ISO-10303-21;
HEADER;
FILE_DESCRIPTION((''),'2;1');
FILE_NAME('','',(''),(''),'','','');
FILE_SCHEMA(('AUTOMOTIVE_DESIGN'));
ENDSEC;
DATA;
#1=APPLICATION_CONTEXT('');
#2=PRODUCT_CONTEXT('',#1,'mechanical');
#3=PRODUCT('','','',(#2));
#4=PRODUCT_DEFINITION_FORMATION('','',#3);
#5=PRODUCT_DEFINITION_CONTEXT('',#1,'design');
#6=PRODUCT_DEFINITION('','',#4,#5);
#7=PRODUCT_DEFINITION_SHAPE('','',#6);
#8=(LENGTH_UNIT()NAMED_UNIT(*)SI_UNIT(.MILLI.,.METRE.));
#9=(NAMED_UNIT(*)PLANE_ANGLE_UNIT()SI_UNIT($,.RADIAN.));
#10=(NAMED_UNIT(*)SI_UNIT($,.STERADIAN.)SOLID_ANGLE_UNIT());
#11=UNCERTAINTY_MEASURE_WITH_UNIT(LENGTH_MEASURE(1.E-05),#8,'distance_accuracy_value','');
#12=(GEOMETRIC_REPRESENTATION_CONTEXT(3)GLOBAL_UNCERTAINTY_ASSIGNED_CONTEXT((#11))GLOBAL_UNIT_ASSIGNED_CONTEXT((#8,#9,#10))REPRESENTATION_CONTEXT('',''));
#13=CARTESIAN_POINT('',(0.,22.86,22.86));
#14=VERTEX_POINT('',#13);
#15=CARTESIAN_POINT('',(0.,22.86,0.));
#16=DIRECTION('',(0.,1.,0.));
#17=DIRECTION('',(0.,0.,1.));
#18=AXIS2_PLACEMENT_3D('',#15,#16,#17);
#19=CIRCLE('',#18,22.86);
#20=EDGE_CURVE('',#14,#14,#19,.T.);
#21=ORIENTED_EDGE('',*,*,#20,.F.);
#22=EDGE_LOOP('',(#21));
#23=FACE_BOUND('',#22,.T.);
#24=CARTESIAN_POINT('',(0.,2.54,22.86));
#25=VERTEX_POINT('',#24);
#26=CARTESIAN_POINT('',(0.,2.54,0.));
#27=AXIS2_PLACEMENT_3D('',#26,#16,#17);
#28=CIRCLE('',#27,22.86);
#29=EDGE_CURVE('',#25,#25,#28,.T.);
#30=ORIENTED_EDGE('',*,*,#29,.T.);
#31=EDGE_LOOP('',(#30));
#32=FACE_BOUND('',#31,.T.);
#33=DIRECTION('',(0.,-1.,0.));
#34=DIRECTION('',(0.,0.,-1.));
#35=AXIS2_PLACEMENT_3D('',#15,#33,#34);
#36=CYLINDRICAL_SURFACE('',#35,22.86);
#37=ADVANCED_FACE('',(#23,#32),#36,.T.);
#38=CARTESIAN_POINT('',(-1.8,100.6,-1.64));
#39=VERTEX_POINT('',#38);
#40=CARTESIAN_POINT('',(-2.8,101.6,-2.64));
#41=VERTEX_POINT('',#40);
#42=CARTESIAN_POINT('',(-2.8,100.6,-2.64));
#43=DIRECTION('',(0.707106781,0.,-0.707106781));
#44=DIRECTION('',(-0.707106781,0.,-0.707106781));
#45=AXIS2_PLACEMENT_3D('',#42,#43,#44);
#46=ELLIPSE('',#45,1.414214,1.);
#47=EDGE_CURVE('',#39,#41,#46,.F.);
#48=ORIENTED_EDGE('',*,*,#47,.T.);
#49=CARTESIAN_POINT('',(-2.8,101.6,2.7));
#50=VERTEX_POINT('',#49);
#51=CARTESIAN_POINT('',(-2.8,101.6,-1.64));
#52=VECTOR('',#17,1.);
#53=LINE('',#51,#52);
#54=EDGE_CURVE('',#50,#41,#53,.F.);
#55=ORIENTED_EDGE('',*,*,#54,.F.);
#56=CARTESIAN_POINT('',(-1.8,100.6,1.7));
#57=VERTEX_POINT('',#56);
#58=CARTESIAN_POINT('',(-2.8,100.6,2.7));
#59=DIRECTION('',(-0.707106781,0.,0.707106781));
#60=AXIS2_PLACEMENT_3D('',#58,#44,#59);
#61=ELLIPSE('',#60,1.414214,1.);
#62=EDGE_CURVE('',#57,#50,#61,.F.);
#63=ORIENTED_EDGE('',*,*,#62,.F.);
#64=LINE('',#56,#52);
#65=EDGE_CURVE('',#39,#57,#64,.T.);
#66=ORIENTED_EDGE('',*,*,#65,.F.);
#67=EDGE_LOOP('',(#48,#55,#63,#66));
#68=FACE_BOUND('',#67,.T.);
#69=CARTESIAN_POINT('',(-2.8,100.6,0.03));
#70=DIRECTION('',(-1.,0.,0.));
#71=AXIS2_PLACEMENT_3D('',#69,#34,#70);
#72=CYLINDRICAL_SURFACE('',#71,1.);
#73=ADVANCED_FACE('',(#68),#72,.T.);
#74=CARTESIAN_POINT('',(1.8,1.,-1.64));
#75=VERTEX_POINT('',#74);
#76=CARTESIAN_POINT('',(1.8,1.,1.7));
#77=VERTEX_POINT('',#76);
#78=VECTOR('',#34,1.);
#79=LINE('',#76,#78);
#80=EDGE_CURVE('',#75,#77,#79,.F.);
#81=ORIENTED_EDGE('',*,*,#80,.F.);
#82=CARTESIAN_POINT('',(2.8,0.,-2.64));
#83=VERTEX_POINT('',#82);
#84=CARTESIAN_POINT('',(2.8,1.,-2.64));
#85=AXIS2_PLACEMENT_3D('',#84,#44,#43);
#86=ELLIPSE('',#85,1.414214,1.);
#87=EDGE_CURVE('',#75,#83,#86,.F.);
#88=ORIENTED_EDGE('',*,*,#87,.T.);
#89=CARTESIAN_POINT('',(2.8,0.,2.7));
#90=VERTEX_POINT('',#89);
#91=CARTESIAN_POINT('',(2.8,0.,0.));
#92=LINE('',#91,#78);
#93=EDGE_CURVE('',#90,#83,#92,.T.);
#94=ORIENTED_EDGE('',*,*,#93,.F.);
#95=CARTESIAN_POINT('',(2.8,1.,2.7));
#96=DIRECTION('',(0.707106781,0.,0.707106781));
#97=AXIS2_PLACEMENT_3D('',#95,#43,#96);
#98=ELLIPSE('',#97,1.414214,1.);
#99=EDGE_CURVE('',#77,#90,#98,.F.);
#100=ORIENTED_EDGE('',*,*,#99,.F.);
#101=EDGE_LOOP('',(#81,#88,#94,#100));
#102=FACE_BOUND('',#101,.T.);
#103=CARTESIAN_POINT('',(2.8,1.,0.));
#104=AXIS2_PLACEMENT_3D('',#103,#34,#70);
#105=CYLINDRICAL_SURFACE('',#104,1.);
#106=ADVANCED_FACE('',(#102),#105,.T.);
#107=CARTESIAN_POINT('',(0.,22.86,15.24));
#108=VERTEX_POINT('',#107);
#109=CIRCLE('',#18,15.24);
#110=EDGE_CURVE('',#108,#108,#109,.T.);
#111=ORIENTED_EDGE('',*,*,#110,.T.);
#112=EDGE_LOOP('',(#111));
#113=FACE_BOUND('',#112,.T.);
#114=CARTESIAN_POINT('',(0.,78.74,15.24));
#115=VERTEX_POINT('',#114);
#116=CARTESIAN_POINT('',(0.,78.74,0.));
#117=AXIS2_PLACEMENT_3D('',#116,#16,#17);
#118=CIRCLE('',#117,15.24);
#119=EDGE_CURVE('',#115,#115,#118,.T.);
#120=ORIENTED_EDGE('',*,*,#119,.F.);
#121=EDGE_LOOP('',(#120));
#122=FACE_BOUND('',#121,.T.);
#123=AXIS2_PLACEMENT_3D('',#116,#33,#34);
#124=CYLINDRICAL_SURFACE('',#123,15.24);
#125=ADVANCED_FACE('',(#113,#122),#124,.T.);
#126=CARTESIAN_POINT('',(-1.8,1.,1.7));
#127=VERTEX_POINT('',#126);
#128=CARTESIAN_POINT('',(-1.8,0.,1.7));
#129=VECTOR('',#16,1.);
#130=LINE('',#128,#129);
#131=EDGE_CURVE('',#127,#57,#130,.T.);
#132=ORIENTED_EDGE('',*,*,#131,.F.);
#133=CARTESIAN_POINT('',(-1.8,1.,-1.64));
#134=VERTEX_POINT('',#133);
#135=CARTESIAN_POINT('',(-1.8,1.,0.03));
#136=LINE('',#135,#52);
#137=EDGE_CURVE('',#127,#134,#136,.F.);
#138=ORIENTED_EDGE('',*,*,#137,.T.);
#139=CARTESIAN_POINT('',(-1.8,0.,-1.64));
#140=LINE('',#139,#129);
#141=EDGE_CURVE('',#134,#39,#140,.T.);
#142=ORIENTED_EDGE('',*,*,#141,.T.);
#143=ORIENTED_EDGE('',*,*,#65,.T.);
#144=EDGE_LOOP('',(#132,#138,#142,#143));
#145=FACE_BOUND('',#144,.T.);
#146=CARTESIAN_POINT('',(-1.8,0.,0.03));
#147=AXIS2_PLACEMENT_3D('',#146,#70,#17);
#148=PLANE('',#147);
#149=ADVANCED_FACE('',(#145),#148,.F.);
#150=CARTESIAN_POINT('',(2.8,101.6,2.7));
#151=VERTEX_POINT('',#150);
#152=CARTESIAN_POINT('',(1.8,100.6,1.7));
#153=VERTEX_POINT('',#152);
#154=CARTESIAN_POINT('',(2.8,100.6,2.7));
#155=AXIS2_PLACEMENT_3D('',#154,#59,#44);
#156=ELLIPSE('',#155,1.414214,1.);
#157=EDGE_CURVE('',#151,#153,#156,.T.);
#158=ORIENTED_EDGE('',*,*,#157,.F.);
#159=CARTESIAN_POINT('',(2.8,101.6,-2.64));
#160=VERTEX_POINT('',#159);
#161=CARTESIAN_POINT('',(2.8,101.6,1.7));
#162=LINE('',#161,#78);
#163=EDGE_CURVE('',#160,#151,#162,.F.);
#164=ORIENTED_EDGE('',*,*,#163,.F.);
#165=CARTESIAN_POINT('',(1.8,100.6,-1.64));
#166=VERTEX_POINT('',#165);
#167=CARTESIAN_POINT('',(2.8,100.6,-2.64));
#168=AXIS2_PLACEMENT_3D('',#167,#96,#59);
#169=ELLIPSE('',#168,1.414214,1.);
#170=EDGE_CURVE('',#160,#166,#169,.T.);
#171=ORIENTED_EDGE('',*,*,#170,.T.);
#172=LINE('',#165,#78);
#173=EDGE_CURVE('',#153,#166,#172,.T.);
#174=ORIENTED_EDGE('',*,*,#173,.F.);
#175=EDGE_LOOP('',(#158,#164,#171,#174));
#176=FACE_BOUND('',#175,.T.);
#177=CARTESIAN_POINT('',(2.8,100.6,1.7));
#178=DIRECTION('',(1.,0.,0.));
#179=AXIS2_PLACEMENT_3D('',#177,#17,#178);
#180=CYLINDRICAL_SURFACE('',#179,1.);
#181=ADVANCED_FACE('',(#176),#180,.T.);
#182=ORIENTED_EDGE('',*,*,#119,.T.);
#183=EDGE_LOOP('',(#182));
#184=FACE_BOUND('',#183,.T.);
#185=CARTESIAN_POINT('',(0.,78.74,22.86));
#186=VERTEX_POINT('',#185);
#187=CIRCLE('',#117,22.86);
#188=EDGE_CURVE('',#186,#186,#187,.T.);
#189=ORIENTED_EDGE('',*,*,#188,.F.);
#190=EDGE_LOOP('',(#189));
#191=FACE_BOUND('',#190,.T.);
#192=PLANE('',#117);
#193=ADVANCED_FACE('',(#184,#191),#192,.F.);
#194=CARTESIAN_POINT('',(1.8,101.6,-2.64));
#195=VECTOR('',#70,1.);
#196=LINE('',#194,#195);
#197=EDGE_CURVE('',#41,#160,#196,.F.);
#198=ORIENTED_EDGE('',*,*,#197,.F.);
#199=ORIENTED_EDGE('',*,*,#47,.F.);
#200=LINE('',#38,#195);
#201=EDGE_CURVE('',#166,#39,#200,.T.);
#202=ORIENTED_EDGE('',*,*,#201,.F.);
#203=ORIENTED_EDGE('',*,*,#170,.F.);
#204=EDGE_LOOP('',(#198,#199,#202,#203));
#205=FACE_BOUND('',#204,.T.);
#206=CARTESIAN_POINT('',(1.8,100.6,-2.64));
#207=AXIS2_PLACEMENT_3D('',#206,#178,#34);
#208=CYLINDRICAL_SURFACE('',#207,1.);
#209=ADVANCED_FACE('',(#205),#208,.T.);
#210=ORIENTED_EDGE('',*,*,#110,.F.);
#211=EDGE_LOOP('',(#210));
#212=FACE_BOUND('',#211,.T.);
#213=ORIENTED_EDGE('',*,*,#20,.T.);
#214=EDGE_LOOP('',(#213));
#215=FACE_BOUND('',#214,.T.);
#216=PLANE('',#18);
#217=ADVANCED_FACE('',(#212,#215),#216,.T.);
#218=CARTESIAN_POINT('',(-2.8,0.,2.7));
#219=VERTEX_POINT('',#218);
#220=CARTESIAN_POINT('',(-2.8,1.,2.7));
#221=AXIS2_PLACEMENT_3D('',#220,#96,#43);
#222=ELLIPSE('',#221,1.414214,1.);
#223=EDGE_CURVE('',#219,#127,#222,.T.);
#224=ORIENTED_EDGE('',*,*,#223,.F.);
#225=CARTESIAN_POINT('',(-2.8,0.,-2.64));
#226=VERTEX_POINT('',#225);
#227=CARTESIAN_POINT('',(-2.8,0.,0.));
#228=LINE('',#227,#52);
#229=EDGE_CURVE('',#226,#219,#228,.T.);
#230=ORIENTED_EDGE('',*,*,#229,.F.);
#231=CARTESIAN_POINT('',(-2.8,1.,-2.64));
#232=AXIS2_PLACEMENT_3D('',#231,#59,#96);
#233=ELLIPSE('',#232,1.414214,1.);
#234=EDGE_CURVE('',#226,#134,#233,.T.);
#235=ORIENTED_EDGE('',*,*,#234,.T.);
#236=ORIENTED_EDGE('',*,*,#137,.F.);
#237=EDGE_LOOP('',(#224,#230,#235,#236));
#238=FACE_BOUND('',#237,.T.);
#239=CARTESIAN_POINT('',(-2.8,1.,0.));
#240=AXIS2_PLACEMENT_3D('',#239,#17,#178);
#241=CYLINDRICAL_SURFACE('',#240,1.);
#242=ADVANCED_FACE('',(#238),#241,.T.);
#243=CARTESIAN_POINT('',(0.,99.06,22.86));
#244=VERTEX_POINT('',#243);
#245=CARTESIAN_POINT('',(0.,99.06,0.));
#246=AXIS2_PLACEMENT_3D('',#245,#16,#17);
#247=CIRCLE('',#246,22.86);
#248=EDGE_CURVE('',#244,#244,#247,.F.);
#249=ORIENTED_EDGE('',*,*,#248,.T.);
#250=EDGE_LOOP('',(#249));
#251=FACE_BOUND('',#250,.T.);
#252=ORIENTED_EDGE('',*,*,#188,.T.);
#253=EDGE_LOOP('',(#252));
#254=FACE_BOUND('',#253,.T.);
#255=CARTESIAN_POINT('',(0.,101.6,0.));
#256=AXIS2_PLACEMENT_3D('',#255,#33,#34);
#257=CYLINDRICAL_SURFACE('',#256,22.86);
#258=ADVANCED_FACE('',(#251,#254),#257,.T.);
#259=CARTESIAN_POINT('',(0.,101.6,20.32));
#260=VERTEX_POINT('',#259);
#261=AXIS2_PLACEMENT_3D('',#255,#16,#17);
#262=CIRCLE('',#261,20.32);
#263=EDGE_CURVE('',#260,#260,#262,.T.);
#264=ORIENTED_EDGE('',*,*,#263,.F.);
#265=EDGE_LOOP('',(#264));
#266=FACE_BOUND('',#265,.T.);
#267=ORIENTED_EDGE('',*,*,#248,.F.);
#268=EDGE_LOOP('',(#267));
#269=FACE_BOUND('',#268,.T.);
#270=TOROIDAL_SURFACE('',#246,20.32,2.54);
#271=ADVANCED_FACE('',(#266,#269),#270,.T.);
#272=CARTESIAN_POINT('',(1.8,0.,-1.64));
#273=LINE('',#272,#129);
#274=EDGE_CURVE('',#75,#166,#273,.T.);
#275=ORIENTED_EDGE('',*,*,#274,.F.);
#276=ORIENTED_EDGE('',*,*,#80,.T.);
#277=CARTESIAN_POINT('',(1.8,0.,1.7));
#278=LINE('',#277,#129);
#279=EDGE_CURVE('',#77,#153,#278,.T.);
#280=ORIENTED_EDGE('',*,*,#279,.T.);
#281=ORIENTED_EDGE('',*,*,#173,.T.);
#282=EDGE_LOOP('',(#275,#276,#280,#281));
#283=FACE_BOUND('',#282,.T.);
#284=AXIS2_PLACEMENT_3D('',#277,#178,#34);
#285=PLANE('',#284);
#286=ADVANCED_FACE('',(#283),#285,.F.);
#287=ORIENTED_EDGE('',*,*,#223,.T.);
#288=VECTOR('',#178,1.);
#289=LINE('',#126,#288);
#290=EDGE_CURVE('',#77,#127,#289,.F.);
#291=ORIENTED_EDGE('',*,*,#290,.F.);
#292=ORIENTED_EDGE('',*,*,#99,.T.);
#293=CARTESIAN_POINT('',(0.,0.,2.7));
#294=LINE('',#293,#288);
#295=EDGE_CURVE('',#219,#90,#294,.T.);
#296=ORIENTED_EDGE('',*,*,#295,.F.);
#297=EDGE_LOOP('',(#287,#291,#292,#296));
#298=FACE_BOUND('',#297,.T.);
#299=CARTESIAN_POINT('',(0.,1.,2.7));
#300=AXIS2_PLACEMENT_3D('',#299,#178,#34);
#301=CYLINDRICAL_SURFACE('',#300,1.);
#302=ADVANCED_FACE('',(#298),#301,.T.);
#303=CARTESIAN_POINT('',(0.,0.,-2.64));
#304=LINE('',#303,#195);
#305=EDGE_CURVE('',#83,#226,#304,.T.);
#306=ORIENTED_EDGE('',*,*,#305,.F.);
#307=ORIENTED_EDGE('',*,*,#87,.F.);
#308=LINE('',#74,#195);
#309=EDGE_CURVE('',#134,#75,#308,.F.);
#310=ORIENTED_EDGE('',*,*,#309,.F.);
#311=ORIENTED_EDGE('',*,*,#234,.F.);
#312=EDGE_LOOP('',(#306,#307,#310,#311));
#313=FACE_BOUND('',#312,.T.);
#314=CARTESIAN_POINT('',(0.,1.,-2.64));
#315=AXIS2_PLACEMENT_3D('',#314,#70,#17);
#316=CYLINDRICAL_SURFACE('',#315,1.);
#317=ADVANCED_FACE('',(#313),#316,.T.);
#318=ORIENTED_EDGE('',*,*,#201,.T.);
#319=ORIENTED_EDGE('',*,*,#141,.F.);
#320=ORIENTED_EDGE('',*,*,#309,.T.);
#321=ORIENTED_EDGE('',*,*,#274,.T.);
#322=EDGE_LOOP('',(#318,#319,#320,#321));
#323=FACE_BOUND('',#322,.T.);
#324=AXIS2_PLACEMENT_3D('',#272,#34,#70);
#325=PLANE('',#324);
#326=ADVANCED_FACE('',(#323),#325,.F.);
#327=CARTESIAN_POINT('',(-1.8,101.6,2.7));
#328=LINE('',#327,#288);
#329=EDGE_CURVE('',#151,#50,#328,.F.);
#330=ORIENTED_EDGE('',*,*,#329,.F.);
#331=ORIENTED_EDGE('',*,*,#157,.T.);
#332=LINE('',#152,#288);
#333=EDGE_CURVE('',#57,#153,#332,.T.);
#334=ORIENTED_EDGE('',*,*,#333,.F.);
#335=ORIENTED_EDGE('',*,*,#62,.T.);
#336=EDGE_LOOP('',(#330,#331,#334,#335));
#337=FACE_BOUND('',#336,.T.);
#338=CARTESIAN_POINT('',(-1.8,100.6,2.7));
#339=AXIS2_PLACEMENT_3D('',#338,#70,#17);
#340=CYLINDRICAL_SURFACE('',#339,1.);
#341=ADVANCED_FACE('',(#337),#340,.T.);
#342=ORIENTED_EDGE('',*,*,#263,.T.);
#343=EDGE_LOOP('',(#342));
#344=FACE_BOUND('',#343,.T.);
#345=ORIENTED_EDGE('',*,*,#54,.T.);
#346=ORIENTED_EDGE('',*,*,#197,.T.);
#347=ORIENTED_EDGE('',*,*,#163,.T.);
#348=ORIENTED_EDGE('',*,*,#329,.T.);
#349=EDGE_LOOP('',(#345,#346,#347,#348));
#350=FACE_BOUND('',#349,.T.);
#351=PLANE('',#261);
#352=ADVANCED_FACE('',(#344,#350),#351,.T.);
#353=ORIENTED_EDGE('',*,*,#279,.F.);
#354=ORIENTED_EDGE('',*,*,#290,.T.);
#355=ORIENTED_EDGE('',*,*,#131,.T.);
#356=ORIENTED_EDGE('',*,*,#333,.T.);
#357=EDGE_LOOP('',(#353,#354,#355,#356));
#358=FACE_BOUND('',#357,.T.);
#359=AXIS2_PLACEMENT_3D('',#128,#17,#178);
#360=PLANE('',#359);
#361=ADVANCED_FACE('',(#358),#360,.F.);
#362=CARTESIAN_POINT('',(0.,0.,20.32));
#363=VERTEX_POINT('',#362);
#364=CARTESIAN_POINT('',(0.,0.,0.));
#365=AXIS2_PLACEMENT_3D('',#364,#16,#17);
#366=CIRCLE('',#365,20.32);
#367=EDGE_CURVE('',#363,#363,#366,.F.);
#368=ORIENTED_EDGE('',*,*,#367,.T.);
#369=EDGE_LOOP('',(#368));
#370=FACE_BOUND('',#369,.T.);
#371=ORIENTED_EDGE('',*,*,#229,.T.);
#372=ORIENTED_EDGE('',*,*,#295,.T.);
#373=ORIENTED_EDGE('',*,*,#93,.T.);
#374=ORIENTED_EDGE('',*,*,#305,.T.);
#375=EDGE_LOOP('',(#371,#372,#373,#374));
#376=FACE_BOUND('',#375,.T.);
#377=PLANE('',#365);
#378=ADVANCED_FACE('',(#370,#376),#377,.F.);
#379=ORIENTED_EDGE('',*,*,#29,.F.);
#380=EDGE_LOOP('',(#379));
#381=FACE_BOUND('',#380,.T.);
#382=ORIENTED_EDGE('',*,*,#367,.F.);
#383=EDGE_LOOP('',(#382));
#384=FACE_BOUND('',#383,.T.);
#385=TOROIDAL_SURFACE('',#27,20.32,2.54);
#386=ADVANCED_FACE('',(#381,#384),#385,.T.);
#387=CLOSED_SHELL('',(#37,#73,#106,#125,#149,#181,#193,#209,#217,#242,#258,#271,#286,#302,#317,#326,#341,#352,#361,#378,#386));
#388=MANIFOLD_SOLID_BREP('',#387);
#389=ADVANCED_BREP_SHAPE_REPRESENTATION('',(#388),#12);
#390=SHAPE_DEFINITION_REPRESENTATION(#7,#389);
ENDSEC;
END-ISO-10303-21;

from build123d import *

# Parameters (mm, degrees)
SKETCH1_R           = 22.86
BOSS_EXTRUDE1_DEPTH = 22.86
SKETCH3_R           = 15.24
BOSS_EXTRUDE2_DEPTH = 55.88
SKETCH4_R           = 22.86
BOSS_EXTRUDE3_DEPTH = 22.86
FILLET3_R           = 2.54
CUT_EXTRUDE1_DEPTH  = 102.6
FILLET4_R           = 1


with BuildPart() as part:
    # Sketch1 → Boss-Extrude1 (new body)
    with BuildSketch(Plane(origin=(0, 0, 0), x_dir=(1, 0, 0), z_dir=(0, 1, 0))):
        Circle(SKETCH1_R)
    extrude(amount=BOSS_EXTRUDE1_DEPTH)

    # Sketch3 → Boss-Extrude2 (add)
    with BuildSketch(Plane(origin=(0, 22.86, 0), x_dir=(1, 0, 0), z_dir=(0, 1, 0))):
        Circle(SKETCH3_R)
    extrude(amount=BOSS_EXTRUDE2_DEPTH)

    # Sketch4 → Boss-Extrude3 (add)
    with BuildSketch(Plane(origin=(0, 78.74, 0), x_dir=(1, 0, 0), z_dir=(0, 1, 0))):
        Circle(SKETCH4_R)
    extrude(amount=BOSS_EXTRUDE3_DEPTH)

    # Fillet3
    fillet3_edges = [part.edges().sort_by_distance(p)[0] for p in [
        (-22.86, 101.6, 0),
        (-22.86, 0, 0),
    ]]
    fillet(fillet3_edges, radius=FILLET3_R)

    # Sketch5 → Cut-Extrude1 (cut, through all)
    with BuildSketch(Plane(origin=(0, 101.6, 0), x_dir=(1, 0, 0), z_dir=(0, 1, 0))):
        Polygon((-1.8, -0.03), (-1.8, -1.7), (1.8, -1.7), (1.8, 1.64), (-1.8, 1.64), align=None)
    extrude(amount=-CUT_EXTRUDE1_DEPTH, mode=Mode.SUBTRACT)

    # Fillet4
    fillet4_edges = [part.edges().sort_by_distance(p)[0] for p in [
        (0, 0, -1.64),
        (1.8, 0, 0.03),
        (0, 0, 1.7),
        (-1.8, 0, 0.03),
        (0, 101.6, -1.64),
        (-1.8, 101.6, 0.03),
        (0, 101.6, 1.7),
        (1.8, 101.6, 0.03),
    ]]
    fillet(fillet4_edges, radius=FILLET4_R)


solid = part.part
